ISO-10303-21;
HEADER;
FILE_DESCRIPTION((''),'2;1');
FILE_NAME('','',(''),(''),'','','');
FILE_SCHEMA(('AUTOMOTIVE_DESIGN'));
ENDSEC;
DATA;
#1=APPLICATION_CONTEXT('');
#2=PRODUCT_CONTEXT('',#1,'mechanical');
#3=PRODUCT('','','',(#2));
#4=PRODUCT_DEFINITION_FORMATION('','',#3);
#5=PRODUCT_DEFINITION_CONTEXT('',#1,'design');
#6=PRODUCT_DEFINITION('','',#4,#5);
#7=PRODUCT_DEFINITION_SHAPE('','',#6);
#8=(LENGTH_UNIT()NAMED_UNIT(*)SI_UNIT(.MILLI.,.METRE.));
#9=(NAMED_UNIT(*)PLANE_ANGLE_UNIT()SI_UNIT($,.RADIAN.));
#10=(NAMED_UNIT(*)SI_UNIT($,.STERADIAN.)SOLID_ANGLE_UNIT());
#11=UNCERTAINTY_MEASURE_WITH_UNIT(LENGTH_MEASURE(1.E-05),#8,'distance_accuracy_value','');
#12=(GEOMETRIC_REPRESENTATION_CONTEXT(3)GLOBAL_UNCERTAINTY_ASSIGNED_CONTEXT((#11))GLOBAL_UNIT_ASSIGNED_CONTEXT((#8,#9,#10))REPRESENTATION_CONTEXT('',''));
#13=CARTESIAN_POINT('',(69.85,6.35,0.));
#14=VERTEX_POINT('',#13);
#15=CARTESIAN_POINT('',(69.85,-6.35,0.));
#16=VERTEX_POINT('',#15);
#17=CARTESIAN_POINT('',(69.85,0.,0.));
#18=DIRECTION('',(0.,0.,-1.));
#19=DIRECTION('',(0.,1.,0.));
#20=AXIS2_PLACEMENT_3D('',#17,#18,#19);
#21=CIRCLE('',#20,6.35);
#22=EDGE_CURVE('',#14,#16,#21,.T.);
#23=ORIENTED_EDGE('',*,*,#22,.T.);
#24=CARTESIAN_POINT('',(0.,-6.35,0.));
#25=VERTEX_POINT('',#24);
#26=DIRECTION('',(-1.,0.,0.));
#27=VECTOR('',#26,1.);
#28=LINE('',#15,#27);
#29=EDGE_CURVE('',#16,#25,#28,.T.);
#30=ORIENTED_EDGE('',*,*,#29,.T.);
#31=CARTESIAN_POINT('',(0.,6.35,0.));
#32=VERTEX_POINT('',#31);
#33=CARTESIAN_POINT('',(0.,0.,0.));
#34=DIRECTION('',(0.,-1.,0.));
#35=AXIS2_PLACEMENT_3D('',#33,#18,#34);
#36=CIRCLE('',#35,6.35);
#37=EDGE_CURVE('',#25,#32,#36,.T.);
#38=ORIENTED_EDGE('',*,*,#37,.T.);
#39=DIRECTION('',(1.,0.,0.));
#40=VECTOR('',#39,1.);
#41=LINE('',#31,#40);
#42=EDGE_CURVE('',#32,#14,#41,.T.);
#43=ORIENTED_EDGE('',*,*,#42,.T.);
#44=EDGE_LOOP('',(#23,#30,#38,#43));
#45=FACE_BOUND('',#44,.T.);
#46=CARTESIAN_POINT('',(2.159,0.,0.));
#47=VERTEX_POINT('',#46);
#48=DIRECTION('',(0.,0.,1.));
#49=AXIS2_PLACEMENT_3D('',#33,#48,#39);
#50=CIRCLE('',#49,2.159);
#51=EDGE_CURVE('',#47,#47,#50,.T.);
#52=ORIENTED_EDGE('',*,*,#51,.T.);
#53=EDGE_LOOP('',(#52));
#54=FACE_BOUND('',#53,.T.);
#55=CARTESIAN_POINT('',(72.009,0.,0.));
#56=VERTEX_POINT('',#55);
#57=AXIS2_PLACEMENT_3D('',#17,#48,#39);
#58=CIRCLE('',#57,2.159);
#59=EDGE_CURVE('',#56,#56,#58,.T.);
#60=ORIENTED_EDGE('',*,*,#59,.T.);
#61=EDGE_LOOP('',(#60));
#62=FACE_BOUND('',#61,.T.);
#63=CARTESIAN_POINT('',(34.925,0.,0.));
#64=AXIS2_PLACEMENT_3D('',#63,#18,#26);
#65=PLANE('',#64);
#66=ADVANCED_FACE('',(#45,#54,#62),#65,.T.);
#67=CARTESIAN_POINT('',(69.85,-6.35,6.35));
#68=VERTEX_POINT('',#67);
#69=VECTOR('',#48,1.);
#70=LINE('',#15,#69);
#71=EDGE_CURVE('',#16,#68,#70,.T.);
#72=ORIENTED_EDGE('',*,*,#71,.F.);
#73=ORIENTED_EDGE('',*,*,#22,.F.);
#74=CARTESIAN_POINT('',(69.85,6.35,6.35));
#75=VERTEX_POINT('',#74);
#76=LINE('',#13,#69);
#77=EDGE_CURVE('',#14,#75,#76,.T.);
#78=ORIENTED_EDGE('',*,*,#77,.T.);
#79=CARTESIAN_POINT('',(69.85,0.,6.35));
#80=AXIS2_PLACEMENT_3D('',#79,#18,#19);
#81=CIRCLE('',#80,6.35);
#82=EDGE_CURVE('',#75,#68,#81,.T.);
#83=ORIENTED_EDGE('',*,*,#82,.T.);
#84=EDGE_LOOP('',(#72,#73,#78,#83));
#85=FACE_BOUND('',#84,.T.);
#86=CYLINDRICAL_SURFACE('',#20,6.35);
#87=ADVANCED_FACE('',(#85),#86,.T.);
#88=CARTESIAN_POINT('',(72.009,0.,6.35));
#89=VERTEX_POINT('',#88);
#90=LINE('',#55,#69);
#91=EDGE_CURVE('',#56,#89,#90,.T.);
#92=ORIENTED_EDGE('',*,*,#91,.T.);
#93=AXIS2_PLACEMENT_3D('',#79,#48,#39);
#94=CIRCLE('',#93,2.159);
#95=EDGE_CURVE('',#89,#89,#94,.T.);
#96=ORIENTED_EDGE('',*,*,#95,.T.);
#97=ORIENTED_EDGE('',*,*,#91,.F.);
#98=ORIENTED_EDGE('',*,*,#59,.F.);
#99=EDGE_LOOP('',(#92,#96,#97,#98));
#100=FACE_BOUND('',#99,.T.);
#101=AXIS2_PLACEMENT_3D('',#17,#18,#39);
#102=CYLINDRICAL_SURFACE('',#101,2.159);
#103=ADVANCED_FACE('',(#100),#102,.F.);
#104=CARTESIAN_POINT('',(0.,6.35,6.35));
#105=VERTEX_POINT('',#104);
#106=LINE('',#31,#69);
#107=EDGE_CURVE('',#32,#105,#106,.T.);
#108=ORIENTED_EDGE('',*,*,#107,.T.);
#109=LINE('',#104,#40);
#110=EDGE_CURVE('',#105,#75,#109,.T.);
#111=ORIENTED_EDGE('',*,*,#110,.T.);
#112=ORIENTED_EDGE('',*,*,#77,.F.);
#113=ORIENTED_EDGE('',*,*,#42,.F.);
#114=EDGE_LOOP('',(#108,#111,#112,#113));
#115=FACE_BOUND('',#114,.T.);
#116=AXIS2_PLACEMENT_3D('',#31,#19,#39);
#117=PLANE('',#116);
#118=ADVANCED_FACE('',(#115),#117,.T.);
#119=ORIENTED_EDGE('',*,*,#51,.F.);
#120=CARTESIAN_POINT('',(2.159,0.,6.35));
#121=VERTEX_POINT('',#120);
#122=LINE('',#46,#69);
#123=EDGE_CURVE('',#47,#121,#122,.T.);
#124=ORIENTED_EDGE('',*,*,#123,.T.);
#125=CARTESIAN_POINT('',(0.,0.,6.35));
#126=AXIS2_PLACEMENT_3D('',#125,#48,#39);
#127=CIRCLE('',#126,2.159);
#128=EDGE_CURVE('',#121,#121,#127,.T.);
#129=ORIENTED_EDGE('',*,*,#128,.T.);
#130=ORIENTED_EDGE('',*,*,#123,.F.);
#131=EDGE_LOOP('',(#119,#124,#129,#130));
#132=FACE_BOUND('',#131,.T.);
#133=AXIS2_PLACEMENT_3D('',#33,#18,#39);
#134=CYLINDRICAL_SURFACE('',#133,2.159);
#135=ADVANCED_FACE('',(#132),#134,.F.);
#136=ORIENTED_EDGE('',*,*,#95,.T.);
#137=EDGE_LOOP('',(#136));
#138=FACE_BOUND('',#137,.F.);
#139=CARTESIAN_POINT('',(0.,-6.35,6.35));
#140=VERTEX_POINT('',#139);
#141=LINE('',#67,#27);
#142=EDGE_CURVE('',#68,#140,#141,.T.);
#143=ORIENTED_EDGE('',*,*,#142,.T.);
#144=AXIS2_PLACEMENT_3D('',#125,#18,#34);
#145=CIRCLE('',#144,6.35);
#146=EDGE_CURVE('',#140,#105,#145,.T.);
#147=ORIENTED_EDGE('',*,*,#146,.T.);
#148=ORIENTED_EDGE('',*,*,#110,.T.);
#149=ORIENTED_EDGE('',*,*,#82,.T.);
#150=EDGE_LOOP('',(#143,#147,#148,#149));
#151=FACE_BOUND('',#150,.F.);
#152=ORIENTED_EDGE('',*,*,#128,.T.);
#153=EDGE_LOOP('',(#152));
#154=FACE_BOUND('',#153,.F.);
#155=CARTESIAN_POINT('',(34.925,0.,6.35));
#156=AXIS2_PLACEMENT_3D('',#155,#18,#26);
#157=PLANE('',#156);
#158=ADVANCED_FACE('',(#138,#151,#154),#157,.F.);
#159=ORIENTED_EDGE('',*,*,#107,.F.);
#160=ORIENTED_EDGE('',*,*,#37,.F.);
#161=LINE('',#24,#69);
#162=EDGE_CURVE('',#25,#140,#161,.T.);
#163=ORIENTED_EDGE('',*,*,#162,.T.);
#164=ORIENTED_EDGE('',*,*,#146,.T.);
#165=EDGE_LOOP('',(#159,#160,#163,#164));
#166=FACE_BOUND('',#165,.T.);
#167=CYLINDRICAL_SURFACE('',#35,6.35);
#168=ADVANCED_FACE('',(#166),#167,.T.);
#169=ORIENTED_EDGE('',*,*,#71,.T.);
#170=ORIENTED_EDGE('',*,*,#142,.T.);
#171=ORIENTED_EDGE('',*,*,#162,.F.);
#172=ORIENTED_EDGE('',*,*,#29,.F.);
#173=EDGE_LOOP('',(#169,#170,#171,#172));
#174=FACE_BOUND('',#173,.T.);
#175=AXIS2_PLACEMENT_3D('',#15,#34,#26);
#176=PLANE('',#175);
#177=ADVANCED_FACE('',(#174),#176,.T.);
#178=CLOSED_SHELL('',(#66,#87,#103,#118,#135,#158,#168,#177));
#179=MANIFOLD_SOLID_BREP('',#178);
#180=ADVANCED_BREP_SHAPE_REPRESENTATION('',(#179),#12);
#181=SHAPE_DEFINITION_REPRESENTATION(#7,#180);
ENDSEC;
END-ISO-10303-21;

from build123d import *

# Parameters (mm, degrees)
SKETCH1_R           = 2.159
BOSS_EXTRUDE1_DEPTH = 6.35


with BuildPart() as part:
    # Sketch1 → Boss-Extrude1 (new body)
    with BuildSketch(Plane.XY):
        with BuildLine():
            Line((0, 6.35), (69.85, 6.35))
            ThreePointArc((69.85, 6.35), (76.2, 0), (69.85, -6.35))
            Line((69.85, -6.35), (0, -6.35))
            ThreePointArc((0, -6.35), (-6.35, 0), (0, 6.35))
        make_face()
        Circle(SKETCH1_R, mode=Mode.SUBTRACT)
        with Locations((69.85, 0)):
            Circle(SKETCH1_R, mode=Mode.SUBTRACT)
    extrude(amount=BOSS_EXTRUDE1_DEPTH)


solid = part.part
